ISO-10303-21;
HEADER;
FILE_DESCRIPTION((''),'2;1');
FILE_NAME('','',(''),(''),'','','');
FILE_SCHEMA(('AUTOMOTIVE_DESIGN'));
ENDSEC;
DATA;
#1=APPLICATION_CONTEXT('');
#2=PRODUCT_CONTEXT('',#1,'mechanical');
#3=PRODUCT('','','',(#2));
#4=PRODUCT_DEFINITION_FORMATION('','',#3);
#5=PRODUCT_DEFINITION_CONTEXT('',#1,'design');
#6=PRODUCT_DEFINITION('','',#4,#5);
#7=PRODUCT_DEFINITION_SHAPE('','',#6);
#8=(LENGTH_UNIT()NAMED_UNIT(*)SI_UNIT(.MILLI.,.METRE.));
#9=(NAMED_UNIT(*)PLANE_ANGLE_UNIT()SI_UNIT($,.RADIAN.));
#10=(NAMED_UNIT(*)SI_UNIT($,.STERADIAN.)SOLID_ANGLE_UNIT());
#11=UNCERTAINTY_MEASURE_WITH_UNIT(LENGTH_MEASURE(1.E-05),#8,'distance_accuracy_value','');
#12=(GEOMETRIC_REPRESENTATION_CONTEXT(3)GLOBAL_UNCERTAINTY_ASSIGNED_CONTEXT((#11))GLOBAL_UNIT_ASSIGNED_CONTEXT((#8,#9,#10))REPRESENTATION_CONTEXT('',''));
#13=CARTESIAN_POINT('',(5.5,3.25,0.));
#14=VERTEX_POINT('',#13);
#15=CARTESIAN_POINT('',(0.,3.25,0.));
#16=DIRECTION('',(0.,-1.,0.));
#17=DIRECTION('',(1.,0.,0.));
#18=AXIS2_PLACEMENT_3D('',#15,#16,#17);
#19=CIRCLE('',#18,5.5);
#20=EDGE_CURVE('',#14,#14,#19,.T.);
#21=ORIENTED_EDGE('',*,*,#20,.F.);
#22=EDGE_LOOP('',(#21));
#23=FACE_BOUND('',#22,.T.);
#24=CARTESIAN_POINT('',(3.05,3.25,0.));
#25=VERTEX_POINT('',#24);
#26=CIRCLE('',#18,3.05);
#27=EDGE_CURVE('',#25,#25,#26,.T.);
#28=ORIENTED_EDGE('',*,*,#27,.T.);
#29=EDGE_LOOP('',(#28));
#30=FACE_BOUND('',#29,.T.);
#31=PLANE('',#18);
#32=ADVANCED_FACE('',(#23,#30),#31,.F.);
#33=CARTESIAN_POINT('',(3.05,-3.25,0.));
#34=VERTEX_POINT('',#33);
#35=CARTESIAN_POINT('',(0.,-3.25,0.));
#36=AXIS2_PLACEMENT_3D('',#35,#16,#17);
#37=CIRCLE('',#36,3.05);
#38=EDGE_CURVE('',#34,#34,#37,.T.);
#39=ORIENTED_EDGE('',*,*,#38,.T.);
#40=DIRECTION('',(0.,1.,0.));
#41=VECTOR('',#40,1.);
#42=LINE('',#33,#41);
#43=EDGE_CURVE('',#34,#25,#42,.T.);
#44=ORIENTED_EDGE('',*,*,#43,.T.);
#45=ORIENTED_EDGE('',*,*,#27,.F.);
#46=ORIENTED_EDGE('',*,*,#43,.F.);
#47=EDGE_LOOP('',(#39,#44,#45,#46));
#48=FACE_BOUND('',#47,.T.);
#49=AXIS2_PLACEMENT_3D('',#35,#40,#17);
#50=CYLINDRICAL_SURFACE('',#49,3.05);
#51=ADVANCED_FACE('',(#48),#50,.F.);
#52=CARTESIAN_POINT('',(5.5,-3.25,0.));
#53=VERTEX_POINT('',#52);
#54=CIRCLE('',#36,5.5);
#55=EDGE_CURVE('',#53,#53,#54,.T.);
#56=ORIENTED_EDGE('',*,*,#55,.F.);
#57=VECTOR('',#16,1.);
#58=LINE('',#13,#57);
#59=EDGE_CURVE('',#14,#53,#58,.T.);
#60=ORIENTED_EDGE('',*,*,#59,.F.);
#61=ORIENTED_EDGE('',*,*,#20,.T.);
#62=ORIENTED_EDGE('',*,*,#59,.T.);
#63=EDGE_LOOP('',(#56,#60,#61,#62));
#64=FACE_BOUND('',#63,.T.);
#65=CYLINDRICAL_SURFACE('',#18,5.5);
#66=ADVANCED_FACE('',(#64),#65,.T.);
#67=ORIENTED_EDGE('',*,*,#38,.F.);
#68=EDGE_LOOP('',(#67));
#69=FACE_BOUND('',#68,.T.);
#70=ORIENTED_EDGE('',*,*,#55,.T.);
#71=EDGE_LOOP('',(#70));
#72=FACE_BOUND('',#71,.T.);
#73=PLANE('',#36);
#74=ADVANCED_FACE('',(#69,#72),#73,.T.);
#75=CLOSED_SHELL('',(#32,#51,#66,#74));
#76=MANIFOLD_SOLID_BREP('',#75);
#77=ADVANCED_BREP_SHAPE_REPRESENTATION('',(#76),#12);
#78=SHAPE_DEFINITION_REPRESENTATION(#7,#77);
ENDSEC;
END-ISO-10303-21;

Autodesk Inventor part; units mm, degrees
ref_plane "YZ Plane" through (0, 0, 0) normal (1, 0, 0) x (0, 1, 0)
ref_plane "XZ Plane" through (0, 0, 0) normal (0, 1, 0) x (-1, 0, 0)
ref_plane "XY Plane" through (0, 0, 0) normal (0, 0, 1) x (1, 0, 0)
sketch "スケッチ1" plane through (0, 0, 0) normal (0, 0, 1) x (1, 0, 0)
  line L0 (3.05, 3.25) -> (5.5, 3.25)
  line L1 (5.5, 3.25) -> (5.5, -3.25)
  line L2 (5.5, -3.25) -> (3.05, -3.25)
  line L3 (3.05, -3.25) -> (3.05, 3.25)
  line L4 (0, 12.2609) -> (0, -12.2609) construction
  point P0 (0, 0)
  point P1 (3.05, 0)
  point P2 (0, 0)
  dimension "d0" = 6.1
  dimension "d1" = 11
  dimension "d2" = 6.5
revolve "回転1" add sketch "スケッチ1" angle 360 about axis through (0, 12.2609, 0) along (0, -1, 0)
properties part number "膝_サブフレーム_6_4" material "アセタール樹脂、黒"
